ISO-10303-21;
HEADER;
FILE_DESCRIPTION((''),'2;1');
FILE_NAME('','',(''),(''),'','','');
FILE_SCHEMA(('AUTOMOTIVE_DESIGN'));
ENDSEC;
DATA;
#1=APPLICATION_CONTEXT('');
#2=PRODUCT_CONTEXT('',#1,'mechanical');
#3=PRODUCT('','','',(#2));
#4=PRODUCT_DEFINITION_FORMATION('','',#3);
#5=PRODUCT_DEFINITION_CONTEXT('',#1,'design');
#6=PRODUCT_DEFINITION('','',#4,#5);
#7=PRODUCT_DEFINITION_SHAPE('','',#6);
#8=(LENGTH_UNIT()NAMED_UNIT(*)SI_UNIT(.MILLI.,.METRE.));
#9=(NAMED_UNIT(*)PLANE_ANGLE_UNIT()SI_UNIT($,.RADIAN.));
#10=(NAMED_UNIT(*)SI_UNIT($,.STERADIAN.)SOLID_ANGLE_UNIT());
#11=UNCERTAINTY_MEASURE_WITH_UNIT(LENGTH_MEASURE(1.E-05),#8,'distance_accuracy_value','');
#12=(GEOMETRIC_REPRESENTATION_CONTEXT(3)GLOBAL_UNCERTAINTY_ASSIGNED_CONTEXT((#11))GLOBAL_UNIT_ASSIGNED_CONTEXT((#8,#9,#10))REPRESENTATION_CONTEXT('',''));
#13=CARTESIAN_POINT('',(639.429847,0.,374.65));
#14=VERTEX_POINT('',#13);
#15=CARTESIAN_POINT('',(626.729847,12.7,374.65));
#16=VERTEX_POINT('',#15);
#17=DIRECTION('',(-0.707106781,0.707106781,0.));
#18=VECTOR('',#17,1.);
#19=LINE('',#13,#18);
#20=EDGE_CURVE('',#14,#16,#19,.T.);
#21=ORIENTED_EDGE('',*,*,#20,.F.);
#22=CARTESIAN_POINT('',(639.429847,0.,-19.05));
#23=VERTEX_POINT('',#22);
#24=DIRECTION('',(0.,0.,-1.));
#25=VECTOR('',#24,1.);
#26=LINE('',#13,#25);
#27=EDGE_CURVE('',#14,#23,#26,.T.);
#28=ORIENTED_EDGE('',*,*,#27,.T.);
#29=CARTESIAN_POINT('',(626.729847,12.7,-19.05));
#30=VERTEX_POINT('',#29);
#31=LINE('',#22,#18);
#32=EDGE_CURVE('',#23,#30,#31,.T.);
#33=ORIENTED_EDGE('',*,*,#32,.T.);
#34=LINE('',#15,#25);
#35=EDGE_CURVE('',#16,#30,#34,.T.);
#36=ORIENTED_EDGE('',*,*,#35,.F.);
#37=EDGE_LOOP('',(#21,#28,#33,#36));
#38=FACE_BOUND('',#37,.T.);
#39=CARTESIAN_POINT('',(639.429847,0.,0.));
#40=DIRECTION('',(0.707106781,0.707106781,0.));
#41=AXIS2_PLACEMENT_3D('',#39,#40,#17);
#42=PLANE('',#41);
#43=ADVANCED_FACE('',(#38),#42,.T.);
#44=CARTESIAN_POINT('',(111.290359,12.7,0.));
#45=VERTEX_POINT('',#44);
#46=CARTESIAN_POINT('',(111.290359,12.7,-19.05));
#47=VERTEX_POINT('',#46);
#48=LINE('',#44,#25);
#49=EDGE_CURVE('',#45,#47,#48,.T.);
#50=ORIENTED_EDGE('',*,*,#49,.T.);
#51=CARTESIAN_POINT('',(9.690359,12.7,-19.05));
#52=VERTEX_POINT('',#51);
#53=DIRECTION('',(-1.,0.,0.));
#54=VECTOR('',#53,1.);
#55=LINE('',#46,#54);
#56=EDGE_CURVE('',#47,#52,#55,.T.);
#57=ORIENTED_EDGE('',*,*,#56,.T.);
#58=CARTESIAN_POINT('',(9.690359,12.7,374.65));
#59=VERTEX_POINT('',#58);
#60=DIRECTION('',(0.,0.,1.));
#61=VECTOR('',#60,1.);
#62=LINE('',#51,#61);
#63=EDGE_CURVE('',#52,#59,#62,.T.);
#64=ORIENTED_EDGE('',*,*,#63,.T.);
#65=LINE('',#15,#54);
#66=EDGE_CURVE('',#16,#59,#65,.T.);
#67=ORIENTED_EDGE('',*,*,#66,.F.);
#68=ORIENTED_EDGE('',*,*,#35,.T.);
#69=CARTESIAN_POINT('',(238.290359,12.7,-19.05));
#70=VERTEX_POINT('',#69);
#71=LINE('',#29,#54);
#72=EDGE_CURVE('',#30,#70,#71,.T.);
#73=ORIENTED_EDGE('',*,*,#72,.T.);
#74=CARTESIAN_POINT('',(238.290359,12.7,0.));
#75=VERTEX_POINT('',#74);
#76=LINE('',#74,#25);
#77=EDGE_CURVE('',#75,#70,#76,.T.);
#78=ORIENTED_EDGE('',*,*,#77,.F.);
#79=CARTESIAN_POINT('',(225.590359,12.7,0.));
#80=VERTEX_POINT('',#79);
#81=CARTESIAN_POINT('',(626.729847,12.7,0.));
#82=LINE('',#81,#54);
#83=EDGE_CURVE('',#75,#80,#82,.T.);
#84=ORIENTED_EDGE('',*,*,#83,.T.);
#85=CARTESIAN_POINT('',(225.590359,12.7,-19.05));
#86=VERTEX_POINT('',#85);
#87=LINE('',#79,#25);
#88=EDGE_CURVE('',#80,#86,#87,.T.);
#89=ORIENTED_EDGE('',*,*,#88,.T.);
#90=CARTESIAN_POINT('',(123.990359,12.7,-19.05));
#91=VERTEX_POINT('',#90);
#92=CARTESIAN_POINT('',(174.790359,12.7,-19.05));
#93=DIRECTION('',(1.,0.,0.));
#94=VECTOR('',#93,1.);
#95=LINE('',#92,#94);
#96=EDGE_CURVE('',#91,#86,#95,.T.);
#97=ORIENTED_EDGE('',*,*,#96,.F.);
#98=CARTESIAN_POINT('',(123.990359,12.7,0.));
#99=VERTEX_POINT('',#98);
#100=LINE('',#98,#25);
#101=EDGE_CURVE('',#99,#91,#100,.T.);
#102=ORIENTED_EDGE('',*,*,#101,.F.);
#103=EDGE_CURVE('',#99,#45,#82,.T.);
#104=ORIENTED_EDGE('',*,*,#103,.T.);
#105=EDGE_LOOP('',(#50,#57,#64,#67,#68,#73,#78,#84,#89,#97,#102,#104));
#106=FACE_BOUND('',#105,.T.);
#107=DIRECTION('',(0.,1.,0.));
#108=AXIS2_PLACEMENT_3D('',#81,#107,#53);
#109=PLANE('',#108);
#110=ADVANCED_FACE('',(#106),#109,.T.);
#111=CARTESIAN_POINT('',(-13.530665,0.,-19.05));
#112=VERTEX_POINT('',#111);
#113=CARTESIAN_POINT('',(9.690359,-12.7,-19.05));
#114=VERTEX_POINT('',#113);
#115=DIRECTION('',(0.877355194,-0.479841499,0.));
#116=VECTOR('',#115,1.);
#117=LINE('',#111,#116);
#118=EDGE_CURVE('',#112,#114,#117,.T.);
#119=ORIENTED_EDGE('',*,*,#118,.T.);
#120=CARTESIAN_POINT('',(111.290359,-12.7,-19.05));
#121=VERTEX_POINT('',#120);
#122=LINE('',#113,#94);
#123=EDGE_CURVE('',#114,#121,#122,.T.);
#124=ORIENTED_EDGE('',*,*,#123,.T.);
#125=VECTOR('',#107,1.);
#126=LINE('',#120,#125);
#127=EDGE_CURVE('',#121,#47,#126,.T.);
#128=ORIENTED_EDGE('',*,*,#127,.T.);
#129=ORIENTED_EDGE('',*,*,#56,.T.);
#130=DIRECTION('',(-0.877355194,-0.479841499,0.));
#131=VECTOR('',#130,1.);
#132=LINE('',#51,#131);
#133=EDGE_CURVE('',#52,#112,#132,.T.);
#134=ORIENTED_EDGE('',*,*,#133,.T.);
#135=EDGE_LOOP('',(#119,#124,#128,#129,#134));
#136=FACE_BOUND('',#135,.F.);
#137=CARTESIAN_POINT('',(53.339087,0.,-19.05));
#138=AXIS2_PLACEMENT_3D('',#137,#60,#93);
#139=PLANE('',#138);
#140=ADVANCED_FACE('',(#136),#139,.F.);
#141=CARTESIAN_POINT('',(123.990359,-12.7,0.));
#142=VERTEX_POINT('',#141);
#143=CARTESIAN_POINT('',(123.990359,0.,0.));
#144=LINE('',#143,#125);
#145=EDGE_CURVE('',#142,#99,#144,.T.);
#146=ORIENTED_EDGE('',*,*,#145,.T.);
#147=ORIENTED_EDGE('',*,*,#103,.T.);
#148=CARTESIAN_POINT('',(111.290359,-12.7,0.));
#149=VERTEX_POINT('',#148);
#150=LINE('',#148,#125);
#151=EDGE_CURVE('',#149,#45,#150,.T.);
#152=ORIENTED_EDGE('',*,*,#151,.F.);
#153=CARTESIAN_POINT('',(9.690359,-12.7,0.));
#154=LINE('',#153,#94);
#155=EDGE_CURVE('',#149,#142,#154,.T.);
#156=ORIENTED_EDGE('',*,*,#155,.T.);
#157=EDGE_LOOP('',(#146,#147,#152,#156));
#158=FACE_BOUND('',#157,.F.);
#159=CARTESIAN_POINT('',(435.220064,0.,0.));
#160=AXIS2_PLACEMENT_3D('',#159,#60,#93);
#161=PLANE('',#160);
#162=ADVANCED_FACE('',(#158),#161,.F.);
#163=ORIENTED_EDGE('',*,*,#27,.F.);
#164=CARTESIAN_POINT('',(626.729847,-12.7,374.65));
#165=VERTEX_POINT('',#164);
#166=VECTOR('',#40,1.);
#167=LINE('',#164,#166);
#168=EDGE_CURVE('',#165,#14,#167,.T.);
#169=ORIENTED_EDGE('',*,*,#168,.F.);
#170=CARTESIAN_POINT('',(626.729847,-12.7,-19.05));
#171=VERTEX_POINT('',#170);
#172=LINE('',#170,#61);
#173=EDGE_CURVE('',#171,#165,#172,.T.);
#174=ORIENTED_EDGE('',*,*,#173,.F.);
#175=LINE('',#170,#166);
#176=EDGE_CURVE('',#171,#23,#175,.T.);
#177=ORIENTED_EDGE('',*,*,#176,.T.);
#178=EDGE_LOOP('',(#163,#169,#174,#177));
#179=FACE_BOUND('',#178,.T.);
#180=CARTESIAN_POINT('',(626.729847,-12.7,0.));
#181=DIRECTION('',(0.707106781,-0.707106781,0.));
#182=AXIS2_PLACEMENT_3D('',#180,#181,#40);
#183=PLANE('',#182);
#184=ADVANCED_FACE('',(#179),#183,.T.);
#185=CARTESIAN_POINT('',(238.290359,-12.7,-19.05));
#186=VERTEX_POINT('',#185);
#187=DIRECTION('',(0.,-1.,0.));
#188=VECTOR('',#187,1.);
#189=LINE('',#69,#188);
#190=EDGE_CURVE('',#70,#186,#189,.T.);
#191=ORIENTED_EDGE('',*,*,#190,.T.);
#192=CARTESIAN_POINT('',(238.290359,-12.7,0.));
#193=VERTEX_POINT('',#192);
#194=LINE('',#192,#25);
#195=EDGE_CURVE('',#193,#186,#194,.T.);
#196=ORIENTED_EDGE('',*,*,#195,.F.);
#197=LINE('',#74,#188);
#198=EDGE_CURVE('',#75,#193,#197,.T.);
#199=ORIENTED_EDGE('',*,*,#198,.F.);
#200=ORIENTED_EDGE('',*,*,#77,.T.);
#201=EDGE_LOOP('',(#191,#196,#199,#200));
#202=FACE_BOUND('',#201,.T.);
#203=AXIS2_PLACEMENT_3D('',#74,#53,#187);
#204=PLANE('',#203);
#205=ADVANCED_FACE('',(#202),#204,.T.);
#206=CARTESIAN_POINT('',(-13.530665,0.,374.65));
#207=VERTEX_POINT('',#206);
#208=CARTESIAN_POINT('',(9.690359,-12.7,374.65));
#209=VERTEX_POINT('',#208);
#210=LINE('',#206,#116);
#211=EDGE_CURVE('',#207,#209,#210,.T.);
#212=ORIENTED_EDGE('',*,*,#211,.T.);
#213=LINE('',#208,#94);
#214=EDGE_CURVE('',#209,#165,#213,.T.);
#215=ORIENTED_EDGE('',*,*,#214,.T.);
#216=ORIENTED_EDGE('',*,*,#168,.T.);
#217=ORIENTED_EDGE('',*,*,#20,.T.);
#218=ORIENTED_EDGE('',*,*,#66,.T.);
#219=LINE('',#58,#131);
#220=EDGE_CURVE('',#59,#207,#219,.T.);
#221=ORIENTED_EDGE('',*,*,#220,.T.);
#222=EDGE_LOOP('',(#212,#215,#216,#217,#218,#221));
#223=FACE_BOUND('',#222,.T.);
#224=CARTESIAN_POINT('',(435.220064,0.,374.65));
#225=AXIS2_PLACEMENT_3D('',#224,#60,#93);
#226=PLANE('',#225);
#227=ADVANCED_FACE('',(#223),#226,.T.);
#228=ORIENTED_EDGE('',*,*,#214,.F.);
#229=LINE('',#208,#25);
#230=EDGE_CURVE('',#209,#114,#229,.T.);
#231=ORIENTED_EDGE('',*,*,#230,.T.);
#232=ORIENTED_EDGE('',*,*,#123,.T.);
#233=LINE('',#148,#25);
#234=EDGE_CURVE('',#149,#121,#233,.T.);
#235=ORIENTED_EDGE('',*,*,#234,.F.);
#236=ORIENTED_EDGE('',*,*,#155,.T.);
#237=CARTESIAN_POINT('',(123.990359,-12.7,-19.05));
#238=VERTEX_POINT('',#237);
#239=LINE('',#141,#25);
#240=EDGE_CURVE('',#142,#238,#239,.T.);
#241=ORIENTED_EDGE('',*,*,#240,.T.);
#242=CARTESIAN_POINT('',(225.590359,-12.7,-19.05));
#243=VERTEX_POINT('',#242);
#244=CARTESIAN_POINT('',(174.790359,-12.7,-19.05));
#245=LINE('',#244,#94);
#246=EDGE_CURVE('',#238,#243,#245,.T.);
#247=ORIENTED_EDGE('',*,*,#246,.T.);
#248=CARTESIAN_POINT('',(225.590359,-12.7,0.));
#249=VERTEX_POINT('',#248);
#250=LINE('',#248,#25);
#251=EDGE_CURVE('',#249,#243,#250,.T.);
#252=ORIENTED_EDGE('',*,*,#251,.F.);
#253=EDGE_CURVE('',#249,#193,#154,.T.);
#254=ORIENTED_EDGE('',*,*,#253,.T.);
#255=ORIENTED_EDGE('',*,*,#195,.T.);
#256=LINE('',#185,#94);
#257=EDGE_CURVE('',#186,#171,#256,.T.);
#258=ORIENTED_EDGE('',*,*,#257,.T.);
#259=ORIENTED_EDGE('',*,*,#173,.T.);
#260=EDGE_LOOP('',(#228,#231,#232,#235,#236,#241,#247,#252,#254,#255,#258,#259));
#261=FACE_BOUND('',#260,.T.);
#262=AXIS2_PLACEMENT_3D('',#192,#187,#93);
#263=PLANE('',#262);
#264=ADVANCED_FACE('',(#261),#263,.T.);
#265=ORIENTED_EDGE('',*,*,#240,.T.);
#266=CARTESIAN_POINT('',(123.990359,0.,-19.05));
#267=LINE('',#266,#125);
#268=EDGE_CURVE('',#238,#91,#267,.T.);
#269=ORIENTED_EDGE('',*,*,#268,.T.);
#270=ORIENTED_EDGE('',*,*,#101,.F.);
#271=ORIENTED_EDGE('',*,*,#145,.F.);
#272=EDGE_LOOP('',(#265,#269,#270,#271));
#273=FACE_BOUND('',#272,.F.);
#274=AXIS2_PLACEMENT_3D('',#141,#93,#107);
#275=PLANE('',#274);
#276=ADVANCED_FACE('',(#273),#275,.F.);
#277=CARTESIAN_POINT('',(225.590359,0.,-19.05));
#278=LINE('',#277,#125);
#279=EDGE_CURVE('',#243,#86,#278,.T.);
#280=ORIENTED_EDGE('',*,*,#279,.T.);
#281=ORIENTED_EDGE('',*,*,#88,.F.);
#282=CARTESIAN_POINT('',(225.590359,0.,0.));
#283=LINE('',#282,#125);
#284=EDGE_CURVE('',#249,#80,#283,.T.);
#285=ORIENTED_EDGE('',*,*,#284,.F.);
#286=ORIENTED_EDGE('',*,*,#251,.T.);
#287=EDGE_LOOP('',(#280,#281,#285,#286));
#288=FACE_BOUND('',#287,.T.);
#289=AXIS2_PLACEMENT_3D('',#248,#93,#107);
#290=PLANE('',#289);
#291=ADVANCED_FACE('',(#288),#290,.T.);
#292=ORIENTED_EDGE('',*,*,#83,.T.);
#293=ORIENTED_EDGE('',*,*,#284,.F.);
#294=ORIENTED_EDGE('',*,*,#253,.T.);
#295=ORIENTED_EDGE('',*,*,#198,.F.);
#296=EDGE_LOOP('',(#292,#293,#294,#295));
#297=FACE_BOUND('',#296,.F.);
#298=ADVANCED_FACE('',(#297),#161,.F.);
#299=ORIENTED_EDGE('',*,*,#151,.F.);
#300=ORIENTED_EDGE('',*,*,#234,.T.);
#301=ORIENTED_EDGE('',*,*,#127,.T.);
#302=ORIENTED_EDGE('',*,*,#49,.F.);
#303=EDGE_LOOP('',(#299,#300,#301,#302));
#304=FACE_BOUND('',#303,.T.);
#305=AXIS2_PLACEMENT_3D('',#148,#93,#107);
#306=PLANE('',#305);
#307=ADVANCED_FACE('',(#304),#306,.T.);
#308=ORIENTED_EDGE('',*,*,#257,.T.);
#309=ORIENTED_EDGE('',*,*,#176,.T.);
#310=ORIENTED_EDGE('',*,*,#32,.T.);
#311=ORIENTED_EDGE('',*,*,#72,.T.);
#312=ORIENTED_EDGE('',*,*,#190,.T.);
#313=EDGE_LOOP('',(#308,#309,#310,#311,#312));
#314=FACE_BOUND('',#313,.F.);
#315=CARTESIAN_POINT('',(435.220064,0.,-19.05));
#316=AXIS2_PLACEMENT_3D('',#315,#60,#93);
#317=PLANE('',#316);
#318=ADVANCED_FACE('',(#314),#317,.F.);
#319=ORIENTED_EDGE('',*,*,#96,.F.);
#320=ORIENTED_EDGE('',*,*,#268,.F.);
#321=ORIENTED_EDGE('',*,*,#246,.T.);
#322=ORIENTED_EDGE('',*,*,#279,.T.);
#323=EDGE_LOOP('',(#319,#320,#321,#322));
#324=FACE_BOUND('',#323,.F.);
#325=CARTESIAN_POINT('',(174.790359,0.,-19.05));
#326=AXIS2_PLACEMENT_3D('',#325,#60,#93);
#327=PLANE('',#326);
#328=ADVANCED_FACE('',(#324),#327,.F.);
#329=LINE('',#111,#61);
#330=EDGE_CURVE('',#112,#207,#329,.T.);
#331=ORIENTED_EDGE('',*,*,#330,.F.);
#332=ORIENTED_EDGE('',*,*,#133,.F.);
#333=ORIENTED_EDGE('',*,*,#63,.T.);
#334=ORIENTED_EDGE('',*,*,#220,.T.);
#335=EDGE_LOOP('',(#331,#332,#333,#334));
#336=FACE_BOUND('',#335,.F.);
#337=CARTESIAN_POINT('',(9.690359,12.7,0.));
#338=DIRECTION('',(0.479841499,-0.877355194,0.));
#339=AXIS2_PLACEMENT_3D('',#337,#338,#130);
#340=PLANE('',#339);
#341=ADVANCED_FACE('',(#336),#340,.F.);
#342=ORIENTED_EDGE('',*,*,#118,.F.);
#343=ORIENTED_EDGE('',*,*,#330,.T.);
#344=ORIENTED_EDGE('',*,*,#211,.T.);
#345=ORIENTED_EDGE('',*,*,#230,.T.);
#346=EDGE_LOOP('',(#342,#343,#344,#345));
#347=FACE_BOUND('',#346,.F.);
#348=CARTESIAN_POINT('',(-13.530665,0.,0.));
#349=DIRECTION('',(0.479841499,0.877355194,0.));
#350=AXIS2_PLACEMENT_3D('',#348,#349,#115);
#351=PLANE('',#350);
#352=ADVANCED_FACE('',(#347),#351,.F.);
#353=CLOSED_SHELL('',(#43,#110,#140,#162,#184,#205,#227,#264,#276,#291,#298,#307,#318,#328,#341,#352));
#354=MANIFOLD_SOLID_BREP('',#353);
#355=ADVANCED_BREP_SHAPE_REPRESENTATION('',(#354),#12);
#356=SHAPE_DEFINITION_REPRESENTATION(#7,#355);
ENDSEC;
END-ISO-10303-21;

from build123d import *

# Parameters (mm, degrees)
F0_W     = 12.7
F0_H     = 25.4
F0_W_2   = 101.6
F1_DEPTH = 374.65
F2_DEPTH = 19.05


with BuildPart() as f1:
    # F0 (on Top) → F1 (new body)
    with BuildSketch(Plane.XY):
        Polygon((238.290359, 12.7), (238.290359, -12.7), (550.529847, -12.7), (626.729847, -12.7), (639.429847, 0), (626.729847, 12.7), (550.529847, 12.7), align=None)
        with Locations((231.940359, 0)):
            Rectangle(F0_W, F0_H)
        with Locations((174.790359, 0)):
            Rectangle(F0_W_2, F0_H)
        with Locations((117.640359, 0)):
            Rectangle(F0_W, F0_H)
        Polygon((-13.530665, 0), (9.690359, -12.7), (111.290359, -12.7), (111.290359, 12.7), (9.690359, 12.7), align=None)
    extrude(amount=F1_DEPTH)

    # F0 (on Top) → F2 (join)
    with BuildSketch(Plane.XY):
        Polygon((238.290359, 12.7), (238.290359, -12.7), (550.529847, -12.7), (626.729847, -12.7), (639.429847, 0), (626.729847, 12.7), (550.529847, 12.7), align=None)
        with Locations((174.790359, 0)):
            Rectangle(F0_W_2, F0_H)
        Polygon((-13.530665, 0), (9.690359, -12.7), (111.290359, -12.7), (111.290359, 12.7), (9.690359, 12.7), align=None)
    extrude(amount=-F2_DEPTH)


solid = f1.part
